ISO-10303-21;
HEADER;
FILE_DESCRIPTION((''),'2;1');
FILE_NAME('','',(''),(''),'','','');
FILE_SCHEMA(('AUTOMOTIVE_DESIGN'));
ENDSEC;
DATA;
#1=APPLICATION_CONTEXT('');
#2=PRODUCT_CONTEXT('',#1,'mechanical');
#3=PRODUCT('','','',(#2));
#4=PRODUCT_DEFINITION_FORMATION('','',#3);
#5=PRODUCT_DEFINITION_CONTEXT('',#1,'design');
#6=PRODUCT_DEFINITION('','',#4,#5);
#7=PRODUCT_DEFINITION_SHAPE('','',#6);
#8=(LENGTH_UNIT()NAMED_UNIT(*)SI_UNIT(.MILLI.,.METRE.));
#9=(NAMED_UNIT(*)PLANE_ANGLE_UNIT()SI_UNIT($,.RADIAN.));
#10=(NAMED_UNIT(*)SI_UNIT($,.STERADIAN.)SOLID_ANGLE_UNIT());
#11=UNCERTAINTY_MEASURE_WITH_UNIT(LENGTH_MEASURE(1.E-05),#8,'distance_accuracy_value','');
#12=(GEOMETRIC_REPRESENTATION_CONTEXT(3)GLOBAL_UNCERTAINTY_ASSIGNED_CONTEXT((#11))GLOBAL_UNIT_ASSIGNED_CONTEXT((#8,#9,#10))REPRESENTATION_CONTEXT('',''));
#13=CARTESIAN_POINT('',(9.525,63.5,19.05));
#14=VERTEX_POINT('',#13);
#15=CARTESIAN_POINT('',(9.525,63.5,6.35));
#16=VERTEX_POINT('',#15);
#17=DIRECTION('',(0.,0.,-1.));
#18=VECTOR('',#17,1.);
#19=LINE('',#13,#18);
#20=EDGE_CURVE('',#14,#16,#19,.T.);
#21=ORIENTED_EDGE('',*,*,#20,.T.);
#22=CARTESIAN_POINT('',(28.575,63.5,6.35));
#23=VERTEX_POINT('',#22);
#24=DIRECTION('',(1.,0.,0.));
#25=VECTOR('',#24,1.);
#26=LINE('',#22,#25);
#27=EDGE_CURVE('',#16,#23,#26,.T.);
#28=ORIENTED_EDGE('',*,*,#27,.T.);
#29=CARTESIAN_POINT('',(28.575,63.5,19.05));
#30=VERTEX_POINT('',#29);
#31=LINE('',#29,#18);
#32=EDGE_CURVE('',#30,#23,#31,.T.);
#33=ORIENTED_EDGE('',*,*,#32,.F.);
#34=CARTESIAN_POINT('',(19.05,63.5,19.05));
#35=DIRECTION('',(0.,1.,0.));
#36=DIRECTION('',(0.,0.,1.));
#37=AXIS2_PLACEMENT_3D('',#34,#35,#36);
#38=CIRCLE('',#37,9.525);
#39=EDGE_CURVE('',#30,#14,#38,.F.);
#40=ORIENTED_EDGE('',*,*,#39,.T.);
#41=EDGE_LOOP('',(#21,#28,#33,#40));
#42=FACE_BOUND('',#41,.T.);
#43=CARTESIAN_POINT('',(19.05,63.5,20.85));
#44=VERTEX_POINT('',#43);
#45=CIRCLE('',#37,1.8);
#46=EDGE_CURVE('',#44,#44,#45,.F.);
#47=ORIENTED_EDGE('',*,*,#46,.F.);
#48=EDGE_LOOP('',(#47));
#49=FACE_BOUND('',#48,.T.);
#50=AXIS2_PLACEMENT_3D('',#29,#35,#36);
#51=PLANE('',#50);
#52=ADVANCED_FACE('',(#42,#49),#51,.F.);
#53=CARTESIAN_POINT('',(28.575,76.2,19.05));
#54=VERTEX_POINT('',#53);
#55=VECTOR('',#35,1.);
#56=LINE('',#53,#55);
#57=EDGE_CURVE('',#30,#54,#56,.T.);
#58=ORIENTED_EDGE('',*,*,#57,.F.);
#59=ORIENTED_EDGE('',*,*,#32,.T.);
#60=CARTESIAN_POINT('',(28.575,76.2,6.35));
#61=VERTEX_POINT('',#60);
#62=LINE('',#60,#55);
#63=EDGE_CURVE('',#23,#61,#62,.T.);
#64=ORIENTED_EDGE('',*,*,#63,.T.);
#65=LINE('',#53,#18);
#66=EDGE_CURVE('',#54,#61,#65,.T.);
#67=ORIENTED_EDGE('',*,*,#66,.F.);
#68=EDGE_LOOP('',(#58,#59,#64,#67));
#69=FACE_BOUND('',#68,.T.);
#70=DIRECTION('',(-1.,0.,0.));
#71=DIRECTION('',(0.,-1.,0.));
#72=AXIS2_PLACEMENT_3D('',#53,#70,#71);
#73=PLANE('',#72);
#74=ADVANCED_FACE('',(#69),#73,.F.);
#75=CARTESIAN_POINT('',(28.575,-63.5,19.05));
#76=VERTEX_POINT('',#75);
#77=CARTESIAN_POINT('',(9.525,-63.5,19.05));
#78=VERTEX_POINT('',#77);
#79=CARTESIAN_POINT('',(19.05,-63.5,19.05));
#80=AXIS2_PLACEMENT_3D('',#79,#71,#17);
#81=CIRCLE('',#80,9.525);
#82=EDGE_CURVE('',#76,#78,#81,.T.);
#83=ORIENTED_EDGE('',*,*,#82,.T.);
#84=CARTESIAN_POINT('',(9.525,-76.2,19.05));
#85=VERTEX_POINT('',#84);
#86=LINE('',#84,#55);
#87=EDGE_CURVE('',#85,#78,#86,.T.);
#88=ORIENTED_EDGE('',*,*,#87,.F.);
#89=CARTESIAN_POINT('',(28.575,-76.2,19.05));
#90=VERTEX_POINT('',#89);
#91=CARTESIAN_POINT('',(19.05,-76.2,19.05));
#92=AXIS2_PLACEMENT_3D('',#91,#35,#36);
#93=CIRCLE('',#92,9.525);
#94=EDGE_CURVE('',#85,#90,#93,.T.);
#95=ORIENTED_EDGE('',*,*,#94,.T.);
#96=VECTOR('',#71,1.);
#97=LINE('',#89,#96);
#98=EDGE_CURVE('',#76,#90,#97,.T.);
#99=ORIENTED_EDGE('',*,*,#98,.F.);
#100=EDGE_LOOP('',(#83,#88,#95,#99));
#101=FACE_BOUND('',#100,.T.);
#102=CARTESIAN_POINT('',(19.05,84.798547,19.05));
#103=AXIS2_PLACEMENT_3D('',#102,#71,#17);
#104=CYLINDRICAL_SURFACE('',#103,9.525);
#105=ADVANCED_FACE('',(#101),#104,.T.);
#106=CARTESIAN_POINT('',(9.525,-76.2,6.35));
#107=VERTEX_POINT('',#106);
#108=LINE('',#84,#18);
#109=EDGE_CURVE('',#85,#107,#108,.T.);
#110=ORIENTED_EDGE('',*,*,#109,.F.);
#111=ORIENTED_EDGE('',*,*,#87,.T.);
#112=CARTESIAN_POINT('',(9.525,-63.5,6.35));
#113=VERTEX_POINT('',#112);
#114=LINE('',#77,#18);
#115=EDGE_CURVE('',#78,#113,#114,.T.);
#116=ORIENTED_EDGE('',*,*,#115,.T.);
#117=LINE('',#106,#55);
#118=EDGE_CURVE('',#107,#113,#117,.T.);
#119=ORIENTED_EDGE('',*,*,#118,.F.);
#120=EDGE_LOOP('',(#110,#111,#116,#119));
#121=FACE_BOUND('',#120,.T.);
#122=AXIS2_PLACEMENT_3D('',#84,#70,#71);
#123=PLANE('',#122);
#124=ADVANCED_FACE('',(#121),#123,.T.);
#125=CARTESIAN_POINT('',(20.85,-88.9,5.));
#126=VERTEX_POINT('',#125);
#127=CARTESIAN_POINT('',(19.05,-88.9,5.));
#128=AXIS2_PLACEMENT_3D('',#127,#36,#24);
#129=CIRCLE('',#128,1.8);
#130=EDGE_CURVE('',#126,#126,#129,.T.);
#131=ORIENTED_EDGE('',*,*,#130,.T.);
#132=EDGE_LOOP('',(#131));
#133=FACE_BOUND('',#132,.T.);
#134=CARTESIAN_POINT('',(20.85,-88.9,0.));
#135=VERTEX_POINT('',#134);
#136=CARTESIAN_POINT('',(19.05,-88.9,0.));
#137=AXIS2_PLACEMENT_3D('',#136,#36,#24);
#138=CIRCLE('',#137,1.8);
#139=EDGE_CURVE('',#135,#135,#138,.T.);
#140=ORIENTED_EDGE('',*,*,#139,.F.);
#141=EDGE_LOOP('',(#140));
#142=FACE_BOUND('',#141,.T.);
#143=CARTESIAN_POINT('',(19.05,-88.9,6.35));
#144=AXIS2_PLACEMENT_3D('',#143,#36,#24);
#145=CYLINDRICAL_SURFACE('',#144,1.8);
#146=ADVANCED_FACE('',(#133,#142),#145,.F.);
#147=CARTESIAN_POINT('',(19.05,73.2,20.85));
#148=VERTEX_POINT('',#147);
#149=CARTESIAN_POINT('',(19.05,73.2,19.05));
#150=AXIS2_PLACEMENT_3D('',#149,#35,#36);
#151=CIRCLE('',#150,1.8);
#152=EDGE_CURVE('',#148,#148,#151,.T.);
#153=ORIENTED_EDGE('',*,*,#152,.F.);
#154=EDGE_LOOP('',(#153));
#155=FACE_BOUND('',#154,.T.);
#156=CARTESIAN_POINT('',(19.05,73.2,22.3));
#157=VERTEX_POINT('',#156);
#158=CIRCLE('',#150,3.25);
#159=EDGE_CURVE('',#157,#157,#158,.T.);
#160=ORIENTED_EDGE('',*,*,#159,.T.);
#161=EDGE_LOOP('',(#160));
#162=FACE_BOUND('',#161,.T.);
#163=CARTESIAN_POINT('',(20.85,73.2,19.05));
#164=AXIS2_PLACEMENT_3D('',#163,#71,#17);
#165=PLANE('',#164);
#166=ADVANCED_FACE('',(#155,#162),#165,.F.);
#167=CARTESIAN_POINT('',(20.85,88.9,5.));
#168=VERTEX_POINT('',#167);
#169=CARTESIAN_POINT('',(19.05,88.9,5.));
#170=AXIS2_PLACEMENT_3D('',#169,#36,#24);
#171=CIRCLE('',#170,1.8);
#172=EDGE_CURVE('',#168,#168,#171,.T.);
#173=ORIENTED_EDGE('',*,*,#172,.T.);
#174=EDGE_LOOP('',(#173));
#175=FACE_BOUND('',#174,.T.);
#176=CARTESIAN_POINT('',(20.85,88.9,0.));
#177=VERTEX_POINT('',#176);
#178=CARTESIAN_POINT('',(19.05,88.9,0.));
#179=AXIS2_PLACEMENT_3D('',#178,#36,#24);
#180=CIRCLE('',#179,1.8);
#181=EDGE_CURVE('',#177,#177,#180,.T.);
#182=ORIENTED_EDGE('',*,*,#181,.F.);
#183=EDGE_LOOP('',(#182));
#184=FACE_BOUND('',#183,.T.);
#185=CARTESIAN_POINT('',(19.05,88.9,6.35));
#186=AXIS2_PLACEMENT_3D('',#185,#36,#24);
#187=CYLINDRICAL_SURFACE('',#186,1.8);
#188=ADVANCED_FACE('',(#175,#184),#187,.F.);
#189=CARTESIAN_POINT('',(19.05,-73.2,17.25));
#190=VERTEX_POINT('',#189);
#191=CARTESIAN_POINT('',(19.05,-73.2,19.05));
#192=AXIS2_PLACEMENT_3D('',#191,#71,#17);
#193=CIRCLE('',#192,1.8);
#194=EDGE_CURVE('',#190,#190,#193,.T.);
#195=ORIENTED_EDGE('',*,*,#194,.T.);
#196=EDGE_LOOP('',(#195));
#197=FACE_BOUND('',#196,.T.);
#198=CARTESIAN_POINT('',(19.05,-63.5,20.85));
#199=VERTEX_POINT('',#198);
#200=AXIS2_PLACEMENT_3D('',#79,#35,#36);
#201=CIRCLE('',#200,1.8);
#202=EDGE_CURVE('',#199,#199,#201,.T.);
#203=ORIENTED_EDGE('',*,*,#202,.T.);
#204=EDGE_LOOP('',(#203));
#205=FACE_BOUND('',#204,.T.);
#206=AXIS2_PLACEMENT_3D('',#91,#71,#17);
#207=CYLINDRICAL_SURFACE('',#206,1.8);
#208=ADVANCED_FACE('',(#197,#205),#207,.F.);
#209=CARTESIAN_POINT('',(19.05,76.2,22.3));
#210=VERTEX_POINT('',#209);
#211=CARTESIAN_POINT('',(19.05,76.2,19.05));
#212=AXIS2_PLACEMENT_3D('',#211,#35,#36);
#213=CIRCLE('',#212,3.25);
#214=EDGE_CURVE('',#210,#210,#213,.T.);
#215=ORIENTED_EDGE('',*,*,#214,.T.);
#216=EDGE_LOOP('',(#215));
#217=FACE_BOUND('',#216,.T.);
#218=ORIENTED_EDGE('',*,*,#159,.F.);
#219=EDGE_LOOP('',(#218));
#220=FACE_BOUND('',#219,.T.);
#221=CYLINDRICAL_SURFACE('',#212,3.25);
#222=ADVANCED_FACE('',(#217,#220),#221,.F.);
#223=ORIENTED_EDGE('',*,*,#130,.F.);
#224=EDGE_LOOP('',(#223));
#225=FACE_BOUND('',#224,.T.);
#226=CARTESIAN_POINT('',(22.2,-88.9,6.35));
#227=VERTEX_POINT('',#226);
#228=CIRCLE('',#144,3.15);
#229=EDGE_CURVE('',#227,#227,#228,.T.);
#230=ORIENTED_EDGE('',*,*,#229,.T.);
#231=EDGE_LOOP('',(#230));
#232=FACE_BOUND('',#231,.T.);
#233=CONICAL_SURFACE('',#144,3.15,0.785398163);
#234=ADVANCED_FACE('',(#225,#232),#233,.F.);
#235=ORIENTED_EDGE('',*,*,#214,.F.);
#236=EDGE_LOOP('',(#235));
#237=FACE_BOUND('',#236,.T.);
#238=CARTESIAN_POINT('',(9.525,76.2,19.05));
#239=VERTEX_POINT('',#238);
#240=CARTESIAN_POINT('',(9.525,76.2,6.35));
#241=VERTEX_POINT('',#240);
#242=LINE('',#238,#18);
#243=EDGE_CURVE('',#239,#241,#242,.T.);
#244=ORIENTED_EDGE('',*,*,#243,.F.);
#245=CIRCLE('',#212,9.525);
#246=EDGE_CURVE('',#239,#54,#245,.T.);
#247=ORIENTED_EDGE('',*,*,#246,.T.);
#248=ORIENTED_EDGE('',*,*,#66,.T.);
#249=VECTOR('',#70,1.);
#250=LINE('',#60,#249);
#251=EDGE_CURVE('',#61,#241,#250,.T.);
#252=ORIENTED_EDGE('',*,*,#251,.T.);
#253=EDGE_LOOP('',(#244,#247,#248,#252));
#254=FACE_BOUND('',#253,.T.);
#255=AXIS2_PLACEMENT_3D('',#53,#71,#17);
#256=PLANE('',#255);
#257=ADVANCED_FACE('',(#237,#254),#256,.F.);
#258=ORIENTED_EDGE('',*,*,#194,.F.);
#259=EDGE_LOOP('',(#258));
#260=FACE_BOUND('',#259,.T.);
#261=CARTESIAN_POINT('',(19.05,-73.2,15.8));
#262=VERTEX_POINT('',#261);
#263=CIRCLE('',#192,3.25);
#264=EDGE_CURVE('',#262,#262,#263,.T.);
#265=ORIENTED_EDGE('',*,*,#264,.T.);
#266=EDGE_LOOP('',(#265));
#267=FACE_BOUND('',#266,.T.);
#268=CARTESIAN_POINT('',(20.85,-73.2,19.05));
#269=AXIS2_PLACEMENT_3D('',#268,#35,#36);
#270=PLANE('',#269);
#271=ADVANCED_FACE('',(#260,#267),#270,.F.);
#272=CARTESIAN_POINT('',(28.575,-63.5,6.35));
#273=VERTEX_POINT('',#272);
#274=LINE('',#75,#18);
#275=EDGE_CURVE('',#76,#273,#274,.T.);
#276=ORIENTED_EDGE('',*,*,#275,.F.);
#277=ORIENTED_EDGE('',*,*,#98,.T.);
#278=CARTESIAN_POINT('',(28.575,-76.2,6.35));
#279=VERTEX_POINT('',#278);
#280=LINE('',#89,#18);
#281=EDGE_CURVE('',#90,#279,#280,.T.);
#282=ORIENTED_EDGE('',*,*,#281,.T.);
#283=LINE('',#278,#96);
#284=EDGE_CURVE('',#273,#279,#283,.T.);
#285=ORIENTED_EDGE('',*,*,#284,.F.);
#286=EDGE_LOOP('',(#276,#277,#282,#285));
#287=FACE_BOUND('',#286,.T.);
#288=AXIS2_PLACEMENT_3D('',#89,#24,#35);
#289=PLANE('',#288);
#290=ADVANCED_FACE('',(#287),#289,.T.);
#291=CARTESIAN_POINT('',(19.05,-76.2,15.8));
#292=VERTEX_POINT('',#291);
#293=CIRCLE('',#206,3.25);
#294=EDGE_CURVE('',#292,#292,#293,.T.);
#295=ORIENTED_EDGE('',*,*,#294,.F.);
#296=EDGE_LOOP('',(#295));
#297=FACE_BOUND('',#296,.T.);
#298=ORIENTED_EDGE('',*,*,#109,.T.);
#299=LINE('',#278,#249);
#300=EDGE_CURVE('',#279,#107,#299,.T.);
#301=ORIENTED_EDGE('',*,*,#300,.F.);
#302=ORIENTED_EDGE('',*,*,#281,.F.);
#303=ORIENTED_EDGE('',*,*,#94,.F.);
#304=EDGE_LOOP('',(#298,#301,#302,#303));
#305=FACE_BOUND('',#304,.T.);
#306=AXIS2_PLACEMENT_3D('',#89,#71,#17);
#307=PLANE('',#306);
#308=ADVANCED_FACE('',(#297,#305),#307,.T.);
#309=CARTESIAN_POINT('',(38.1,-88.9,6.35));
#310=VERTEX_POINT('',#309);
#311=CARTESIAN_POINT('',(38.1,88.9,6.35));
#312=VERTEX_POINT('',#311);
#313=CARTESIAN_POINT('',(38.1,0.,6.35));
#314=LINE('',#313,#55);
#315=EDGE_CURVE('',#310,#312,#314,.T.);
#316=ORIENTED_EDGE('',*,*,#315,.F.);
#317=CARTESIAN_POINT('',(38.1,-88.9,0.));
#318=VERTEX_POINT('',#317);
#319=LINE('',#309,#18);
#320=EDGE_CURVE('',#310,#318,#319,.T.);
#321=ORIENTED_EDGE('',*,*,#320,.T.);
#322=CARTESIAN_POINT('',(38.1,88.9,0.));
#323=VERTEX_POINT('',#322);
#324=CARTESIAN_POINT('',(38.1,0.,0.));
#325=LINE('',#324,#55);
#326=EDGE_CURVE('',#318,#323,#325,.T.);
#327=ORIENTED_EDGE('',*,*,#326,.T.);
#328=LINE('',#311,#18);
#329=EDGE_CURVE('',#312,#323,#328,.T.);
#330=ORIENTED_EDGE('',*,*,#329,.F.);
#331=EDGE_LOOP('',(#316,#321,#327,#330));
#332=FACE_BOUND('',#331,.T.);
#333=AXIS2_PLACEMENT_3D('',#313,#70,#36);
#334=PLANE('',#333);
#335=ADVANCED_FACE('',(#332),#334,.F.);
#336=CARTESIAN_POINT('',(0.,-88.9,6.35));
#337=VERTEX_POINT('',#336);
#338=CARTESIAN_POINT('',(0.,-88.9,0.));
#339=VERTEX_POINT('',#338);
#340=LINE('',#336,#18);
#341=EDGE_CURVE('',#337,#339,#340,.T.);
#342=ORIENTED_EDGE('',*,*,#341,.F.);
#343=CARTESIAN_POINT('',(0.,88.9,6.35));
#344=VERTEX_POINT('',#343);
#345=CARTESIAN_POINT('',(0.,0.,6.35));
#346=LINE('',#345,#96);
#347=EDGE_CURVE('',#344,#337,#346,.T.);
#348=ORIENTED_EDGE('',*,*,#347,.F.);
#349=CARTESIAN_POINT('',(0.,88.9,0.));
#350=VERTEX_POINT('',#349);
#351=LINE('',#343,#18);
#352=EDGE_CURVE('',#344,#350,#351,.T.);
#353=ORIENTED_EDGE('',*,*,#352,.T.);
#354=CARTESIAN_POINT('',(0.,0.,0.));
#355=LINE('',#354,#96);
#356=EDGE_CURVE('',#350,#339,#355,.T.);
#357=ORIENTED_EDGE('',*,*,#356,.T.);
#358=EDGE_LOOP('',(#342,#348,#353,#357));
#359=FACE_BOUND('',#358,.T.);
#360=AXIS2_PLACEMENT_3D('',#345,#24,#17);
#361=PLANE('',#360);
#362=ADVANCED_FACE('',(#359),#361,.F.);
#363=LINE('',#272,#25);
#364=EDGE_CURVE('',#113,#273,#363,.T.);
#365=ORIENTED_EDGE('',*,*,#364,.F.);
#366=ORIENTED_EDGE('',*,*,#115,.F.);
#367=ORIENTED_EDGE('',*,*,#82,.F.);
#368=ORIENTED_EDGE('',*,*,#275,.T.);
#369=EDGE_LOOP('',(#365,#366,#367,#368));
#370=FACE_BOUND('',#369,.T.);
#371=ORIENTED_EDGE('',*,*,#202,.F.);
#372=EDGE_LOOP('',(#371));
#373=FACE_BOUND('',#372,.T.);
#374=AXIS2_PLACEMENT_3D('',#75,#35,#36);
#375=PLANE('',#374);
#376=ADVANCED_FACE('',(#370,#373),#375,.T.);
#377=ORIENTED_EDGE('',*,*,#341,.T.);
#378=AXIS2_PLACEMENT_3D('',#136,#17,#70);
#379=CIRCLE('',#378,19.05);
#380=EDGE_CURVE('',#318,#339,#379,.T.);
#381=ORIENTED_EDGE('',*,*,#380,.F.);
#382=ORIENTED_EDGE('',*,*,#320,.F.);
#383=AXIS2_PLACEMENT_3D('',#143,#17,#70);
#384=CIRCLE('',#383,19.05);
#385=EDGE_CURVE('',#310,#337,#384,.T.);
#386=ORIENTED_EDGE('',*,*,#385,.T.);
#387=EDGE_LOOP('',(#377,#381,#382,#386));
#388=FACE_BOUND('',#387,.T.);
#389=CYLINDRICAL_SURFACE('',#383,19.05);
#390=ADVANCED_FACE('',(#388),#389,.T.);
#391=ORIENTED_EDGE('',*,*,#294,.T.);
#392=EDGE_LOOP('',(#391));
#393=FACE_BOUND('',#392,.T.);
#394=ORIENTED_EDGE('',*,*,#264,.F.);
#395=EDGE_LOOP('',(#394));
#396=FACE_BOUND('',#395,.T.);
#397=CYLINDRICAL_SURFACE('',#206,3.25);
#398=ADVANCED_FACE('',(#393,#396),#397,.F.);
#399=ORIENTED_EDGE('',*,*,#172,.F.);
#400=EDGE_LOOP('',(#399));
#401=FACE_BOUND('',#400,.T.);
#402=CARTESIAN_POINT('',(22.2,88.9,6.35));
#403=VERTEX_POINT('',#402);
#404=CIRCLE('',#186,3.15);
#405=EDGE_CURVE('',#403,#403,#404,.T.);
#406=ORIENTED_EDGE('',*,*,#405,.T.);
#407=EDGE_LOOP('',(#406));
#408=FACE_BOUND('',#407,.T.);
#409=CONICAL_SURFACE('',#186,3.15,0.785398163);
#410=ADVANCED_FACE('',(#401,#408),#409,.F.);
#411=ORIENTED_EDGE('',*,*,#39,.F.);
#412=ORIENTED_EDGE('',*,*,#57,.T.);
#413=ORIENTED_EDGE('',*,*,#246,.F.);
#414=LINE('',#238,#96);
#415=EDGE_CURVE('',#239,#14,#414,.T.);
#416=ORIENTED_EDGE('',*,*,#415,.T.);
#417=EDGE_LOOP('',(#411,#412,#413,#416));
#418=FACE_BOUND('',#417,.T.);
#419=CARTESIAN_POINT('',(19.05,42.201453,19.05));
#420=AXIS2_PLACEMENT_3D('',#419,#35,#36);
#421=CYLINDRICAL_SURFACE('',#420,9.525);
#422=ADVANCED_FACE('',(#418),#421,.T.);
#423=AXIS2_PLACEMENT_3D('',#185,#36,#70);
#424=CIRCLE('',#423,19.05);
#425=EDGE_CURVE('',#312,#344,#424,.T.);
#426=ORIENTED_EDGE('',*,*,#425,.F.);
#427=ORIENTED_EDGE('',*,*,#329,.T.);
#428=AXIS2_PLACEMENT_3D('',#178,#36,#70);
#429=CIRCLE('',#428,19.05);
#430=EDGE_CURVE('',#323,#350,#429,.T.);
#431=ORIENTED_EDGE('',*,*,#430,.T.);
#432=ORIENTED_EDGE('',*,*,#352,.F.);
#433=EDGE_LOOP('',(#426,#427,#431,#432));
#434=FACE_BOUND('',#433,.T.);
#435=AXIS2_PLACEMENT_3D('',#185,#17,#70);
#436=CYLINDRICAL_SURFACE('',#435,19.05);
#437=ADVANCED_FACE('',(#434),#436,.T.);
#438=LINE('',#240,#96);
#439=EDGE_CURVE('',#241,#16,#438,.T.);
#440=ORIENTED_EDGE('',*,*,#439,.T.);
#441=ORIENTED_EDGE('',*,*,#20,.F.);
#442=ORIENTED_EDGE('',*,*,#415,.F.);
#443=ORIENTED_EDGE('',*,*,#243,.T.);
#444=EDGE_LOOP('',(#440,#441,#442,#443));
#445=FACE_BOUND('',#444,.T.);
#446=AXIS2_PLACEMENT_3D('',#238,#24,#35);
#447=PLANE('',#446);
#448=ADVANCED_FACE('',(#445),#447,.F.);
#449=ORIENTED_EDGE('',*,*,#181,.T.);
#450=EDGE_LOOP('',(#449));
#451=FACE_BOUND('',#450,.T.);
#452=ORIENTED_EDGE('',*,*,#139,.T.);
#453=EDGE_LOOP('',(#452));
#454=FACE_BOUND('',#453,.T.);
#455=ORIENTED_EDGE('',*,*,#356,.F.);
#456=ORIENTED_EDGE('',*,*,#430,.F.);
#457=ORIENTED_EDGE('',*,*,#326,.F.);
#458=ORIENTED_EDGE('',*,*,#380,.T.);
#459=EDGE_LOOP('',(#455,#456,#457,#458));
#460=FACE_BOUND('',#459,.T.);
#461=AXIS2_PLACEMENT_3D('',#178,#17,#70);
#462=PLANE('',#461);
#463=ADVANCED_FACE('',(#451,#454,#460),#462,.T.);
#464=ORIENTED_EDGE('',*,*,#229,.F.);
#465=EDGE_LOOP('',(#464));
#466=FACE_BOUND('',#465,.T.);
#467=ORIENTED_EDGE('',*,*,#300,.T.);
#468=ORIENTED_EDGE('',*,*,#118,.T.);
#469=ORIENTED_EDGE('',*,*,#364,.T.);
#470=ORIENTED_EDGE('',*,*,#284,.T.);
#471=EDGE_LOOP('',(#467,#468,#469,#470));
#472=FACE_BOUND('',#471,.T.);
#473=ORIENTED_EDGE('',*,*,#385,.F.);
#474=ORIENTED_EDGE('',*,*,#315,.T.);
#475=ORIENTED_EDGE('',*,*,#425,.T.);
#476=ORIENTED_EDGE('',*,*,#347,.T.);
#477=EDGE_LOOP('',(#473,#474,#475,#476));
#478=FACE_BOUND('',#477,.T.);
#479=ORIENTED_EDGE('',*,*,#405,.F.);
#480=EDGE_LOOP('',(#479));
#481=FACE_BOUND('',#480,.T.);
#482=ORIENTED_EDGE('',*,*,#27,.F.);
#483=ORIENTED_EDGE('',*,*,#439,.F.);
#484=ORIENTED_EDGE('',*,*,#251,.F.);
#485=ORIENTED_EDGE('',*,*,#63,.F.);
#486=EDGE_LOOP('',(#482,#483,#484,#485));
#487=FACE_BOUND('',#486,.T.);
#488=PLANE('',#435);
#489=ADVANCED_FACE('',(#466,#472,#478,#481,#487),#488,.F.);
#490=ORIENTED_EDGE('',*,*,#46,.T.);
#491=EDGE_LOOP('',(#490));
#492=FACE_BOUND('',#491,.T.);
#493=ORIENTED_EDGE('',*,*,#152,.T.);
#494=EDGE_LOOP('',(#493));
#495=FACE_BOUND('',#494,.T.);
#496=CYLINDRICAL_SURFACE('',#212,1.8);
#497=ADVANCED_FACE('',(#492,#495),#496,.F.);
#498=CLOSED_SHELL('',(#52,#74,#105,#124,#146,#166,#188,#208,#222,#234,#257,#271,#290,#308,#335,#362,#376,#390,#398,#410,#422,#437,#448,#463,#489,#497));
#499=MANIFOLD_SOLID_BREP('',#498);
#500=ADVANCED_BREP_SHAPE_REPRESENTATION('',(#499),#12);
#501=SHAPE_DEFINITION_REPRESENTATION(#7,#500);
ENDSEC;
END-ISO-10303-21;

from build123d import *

# Parameters (mm, degrees)
BOSS_EXTRUDE1_DEPTH                             = 6.35
CSK_FOR_M3_FLAT_HEAD_MACHINE_SCREW1_D           = 3.6
CSK_FOR_M3_FLAT_HEAD_MACHINE_SCREW1_CSINK_D     = 6.3
CSK_FOR_M3_FLAT_HEAD_MACHINE_SCREW1_CSINK_ANGLE = 90
SKETCH3_W                                       = 19.05
SKETCH3_H                                       = 12.7
BOSS_EXTRUDE2_DEPTH                             = 12.7
BOSS_EXTRUDE5_DEPTH                             = 12.7
CBORE_FOR_M3_SHCS1_D                            = 3.6
CBORE_FOR_M3_SHCS1_CBORE_D                      = 6.5
CBORE_FOR_M3_SHCS1_CBORE_DEPTH                  = 3


with BuildPart() as part:
    # Sketch1 → Boss-Extrude1 (new body)
    with BuildSketch(Plane.XY):
        with BuildLine():
            Line((0, 0), (38.1, 0))
            Line((38.1, 0), (38.1, 88.9))
            ThreePointArc((38.1, 88.9), (19.05, 107.95), (0, 88.9))
            Line((0, 88.9), (0, 0))
        make_face()
    boss_extrude1 = extrude(amount=BOSS_EXTRUDE1_DEPTH)

    # CSK for M3 Flat Head Machine Screw1 (through all)
    with Locations(Plane(origin=(19.05, 88.9, 6.35), x_dir=(1, 0, 0), z_dir=(0, 0, 1))):
        with Locations((0, 0)):
            csk_for_m3_flat_head_machine_screw1 = CounterSinkHole(CSK_FOR_M3_FLAT_HEAD_MACHINE_SCREW1_D / 2, CSK_FOR_M3_FLAT_HEAD_MACHINE_SCREW1_CSINK_D / 2, counter_sink_angle=CSK_FOR_M3_FLAT_HEAD_MACHINE_SCREW1_CSINK_ANGLE)

    # Sketch3 → Boss-Extrude2 (add)
    with BuildSketch(Plane.XY.offset(6.35)):
        with Locations((19.05, 69.85)):
            Rectangle(SKETCH3_W, SKETCH3_H)
    boss_extrude2 = extrude(amount=BOSS_EXTRUDE2_DEPTH)

    # Sketch6 → Boss-Extrude5 (add)
    with BuildSketch(Plane(origin=(0, 76.2, 0), x_dir=(1, 0, 0), z_dir=(0, 1, 0))):
        with BuildLine():
            Line((9.525, -19.05), (28.575, -19.05))
            ThreePointArc((28.575, -19.05), (19.05, -28.575), (9.525, -19.05))
        make_face()
    boss_extrude5 = extrude(amount=-BOSS_EXTRUDE5_DEPTH)

    # CBORE for M3 SHCS1 (through all)
    with Locations(Plane(origin=(0, 76.2, 0), x_dir=(1, 0, 0), z_dir=(0, 1, 0))):
        with Locations((19.05, -19.05)):
            cbore_for_m3_shcs1 = CounterBoreHole(CBORE_FOR_M3_SHCS1_D / 2, CBORE_FOR_M3_SHCS1_CBORE_D / 2, CBORE_FOR_M3_SHCS1_CBORE_DEPTH)

    # Mirror1: Boss-Extrude1, CSK for M3 Flat Head Machine Screw1, Boss-Extrude2, Boss-Extrude5, CBORE for M3 SHCS1 across plane
    add(boss_extrude1.mirror(Plane.ZX))
    add(csk_for_m3_flat_head_machine_screw1.mirror(Plane.ZX), mode=Mode.SUBTRACT)
    add(boss_extrude2.mirror(Plane.ZX))
    add(boss_extrude5.mirror(Plane.ZX))
    add(cbore_for_m3_shcs1.mirror(Plane.ZX), mode=Mode.SUBTRACT)


solid = part.part
